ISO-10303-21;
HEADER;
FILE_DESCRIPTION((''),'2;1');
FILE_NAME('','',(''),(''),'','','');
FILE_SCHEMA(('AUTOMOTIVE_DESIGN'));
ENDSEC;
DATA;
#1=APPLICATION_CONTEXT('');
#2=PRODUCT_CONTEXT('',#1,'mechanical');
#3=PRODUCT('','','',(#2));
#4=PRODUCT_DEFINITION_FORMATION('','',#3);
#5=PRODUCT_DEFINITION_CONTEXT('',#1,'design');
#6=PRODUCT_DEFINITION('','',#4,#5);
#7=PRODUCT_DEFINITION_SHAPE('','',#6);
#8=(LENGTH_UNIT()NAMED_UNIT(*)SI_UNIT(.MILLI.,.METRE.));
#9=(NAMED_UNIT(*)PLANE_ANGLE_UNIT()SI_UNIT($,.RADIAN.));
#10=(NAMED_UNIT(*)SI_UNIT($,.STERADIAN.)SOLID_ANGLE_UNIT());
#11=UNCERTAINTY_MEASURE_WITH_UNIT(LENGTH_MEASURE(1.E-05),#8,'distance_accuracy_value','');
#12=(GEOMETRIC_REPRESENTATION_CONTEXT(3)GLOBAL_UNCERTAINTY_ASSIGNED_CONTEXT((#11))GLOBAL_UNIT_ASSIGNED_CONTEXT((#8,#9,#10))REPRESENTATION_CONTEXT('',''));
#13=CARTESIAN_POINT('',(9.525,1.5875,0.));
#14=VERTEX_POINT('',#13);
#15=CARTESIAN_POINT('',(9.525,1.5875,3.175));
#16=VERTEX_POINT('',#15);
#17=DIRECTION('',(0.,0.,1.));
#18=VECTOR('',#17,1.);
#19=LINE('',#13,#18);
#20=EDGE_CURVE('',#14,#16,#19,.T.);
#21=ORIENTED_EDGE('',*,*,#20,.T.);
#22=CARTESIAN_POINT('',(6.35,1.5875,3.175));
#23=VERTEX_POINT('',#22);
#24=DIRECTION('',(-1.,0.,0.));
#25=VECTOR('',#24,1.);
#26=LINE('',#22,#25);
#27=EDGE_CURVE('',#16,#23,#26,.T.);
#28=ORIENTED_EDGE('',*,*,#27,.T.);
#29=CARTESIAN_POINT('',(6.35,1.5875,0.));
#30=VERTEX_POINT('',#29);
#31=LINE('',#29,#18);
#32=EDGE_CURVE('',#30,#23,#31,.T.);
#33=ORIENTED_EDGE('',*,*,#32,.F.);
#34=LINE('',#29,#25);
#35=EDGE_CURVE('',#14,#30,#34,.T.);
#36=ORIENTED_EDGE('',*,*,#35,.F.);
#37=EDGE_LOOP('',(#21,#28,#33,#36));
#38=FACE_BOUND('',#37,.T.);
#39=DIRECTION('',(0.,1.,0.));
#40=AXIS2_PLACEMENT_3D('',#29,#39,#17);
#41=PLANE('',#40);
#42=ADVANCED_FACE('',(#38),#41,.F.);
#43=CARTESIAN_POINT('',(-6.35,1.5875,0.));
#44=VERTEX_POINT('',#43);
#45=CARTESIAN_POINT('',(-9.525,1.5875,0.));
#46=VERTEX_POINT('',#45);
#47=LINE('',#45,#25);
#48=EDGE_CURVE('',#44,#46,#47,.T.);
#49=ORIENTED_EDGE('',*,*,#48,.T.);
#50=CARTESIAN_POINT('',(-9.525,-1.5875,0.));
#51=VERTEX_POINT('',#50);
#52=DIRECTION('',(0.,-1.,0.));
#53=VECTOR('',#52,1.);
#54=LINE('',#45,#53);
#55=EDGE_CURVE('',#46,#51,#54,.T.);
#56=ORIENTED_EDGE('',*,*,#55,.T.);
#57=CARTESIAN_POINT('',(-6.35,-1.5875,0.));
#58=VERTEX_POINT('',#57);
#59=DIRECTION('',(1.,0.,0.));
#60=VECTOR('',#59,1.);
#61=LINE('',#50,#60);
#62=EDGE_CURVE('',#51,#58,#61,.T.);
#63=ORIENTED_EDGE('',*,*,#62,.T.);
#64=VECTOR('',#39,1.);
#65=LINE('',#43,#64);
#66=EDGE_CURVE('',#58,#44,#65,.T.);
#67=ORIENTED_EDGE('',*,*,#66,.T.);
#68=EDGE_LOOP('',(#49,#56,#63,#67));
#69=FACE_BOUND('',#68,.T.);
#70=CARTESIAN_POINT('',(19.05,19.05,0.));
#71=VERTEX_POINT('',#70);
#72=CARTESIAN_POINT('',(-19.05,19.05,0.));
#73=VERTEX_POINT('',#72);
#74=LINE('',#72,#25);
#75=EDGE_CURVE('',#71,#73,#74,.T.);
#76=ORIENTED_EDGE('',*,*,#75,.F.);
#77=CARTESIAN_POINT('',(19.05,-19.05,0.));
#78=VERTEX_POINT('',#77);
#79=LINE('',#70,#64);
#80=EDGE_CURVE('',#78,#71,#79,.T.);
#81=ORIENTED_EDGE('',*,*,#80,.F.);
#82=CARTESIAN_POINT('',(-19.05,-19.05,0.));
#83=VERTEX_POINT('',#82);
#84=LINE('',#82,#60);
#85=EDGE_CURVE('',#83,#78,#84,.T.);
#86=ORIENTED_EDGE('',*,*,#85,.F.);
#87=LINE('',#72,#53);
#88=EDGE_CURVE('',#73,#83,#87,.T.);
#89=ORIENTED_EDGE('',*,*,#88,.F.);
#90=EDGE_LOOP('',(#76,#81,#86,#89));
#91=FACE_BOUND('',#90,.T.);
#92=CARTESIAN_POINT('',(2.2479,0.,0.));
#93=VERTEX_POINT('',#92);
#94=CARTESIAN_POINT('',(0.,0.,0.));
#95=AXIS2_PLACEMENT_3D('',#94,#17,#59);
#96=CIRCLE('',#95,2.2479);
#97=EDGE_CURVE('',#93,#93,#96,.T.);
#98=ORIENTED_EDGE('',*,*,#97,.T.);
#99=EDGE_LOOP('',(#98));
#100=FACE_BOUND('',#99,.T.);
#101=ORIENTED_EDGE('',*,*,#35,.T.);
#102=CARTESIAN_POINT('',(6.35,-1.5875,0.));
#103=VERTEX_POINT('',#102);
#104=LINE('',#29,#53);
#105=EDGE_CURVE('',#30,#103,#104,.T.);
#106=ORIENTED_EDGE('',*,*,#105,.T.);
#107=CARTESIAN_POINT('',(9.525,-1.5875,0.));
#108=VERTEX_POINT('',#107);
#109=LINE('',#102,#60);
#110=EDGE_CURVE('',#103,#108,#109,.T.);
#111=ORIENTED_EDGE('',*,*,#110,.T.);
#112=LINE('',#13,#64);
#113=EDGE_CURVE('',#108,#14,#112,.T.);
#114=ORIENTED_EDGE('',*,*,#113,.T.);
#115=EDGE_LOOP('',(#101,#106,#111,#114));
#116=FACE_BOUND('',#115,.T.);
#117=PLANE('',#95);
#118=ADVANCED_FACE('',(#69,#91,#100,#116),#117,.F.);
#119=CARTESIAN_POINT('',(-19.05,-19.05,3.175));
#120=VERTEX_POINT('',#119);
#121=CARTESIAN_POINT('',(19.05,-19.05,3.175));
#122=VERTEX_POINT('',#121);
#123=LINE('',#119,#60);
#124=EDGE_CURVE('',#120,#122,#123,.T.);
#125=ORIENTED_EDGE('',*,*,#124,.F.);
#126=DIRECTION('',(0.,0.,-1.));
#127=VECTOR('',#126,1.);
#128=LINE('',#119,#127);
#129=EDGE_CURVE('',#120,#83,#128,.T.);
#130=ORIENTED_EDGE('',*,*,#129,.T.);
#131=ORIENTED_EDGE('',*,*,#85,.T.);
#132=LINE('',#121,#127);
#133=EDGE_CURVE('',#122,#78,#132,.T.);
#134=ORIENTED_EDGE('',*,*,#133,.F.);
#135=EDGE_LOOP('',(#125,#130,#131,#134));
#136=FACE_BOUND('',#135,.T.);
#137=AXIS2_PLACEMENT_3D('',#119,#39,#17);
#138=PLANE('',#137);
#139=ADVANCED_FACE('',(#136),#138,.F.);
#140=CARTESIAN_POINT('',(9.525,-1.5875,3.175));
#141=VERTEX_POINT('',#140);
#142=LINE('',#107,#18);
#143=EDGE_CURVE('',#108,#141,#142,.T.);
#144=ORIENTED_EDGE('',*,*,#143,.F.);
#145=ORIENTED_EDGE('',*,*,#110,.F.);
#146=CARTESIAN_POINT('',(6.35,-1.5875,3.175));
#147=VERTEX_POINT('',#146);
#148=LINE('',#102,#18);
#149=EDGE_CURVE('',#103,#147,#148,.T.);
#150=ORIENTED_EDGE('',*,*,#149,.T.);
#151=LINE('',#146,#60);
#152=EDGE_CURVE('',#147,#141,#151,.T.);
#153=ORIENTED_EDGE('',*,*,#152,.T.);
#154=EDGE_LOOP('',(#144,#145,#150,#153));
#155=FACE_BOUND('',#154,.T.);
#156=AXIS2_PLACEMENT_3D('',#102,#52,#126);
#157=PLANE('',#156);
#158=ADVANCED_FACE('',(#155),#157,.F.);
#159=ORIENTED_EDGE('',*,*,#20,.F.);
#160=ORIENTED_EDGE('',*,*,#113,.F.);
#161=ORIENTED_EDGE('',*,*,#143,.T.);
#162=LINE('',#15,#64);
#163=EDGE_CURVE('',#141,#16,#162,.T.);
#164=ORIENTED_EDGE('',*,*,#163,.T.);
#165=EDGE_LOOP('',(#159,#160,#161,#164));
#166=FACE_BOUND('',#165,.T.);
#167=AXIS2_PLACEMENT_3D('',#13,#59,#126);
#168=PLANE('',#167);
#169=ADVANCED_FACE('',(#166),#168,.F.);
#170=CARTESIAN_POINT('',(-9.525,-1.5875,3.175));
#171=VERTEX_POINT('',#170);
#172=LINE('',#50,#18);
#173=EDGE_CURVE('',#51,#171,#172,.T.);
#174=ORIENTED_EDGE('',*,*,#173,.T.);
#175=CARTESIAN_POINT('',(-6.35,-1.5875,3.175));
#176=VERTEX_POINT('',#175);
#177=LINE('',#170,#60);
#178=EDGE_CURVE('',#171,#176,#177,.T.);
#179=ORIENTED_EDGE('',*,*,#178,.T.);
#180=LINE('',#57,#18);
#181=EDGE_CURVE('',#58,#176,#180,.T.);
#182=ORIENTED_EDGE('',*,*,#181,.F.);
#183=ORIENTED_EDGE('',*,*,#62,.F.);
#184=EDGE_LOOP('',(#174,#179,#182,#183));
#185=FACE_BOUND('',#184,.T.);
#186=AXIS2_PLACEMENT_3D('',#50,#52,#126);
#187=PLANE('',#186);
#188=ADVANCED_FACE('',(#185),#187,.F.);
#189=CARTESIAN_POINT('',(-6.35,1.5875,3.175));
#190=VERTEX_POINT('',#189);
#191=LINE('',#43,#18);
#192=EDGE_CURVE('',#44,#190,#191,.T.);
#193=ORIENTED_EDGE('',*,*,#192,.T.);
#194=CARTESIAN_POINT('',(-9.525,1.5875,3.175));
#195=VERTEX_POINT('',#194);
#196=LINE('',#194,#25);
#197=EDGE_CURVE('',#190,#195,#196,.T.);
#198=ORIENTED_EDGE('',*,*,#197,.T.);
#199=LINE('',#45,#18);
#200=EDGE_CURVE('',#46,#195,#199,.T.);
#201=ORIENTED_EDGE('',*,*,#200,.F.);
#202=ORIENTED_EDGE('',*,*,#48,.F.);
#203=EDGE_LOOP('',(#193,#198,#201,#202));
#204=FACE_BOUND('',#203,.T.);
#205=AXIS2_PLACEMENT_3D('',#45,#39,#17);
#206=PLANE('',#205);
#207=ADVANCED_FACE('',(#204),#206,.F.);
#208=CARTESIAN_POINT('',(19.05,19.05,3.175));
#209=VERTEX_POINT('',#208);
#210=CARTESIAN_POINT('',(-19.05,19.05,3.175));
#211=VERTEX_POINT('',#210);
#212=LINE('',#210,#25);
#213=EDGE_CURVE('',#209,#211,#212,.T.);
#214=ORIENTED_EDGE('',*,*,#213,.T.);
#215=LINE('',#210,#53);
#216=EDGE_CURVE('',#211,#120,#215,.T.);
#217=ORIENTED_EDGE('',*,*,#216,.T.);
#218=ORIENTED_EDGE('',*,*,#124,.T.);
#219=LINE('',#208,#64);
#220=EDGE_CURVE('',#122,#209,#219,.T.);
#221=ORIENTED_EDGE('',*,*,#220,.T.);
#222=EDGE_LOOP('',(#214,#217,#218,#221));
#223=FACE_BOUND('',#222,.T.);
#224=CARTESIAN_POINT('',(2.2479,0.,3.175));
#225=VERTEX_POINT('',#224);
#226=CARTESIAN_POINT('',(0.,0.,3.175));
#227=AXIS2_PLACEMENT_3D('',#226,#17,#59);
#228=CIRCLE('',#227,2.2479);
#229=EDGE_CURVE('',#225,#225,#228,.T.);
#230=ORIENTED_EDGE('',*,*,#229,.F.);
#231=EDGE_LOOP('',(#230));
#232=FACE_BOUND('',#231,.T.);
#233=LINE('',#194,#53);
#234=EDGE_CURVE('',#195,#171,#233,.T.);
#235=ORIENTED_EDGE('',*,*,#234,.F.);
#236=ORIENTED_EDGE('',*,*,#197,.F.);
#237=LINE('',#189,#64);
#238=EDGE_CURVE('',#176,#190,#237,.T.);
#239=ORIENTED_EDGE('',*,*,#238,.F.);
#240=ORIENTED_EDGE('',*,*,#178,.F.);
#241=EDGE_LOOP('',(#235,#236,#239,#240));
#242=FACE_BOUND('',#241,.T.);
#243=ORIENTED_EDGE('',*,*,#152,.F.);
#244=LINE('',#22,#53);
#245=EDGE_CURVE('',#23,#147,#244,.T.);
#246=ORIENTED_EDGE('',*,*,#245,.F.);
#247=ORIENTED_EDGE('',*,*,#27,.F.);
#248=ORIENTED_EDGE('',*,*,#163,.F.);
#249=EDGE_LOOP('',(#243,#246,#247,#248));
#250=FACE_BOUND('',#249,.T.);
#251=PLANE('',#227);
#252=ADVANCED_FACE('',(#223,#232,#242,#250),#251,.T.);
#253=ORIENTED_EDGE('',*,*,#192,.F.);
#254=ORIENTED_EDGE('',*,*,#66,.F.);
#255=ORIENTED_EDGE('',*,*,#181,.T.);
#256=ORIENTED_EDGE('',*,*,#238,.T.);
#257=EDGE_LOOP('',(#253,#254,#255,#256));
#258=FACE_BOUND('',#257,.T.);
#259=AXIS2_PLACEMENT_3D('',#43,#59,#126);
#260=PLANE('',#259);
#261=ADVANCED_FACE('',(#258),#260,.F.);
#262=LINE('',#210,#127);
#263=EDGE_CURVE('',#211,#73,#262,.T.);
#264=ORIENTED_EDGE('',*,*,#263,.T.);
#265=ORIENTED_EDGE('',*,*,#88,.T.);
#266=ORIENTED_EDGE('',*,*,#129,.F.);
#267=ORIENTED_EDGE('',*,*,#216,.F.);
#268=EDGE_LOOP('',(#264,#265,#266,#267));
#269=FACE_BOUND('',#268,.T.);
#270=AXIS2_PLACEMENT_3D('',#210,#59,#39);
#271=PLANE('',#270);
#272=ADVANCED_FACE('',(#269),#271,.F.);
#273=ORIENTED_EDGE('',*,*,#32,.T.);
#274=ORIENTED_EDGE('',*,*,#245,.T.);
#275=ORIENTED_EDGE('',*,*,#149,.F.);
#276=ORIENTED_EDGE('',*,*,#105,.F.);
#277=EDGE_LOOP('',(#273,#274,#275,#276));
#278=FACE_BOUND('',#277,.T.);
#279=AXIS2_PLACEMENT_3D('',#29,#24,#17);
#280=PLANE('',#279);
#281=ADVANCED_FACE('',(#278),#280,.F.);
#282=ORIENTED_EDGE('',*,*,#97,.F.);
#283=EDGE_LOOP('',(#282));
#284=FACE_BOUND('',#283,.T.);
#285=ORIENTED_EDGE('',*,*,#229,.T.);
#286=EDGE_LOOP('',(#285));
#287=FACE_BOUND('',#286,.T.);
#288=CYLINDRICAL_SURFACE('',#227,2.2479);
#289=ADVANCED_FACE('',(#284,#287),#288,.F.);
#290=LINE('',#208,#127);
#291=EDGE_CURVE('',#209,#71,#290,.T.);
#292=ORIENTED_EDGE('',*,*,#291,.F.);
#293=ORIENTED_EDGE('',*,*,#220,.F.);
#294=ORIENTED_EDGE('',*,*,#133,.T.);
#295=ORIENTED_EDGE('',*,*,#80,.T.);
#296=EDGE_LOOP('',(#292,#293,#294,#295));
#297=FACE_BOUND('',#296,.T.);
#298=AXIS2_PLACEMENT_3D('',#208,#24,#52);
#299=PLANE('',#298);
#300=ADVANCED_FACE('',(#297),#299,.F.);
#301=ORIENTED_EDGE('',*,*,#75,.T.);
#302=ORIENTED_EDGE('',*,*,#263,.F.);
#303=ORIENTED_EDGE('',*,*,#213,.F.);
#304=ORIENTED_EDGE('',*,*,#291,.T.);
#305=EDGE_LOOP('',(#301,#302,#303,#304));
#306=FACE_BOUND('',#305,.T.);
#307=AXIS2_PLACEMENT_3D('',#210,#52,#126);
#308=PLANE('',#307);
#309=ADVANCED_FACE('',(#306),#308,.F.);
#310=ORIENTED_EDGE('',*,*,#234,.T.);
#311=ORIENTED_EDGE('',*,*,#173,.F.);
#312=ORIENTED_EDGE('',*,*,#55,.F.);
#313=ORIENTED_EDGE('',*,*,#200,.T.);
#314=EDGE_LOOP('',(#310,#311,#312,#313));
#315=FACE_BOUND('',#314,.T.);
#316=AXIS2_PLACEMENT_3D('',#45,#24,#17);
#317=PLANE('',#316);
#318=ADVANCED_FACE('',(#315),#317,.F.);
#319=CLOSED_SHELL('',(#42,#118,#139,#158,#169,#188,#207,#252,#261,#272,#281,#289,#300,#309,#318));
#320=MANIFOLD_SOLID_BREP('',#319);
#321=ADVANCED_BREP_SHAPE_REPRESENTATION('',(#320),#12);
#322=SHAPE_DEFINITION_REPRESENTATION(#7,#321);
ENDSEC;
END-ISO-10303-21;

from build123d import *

# Parameters (mm, degrees)
SKETCH1_W                 = 38.1
SKETCH1_H                 = 38.1
BOSS_EXTRUDE1_DEPTH       = 3.175
F_8_CLEARANCE_HOLE1_D     = 4.4958
F_8_CLEARANCE_HOLE1_DEPTH = 10.16
F_8_CLEARANCE_HOLE1_TIP   = 1.350674586
SKETCH4_W                 = 3.175
SKETCH4_H                 = 3.175
CUT_EXTRUDE1_DEPTH        = 3.175


with BuildPart() as part:
    # Sketch1 → Boss-Extrude1 (new body)
    with BuildSketch(Plane.XY):
        Rectangle(SKETCH1_W, SKETCH1_H)
    extrude(amount=BOSS_EXTRUDE1_DEPTH)

    # #8 Clearance Hole1
    with Locations(Plane.XY.offset(3.175)):
        with Locations((0, 0)):
            Hole(F_8_CLEARANCE_HOLE1_D / 2, depth=F_8_CLEARANCE_HOLE1_DEPTH)
            with Locations((0, 0, -(F_8_CLEARANCE_HOLE1_DEPTH + F_8_CLEARANCE_HOLE1_TIP / 2))):  # 118° drill point
                Cone(0, F_8_CLEARANCE_HOLE1_D / 2, F_8_CLEARANCE_HOLE1_TIP, mode=Mode.SUBTRACT)

    # Sketch4 → Cut-Extrude1 (cut)
    with BuildSketch(Plane.XY.offset(3.175)):
        with Locations((-7.9375, 0)):
            Rectangle(SKETCH4_W, SKETCH4_H)
        with Locations((7.9375, 0)):
            Rectangle(SKETCH4_W, SKETCH4_H)
    extrude(amount=-CUT_EXTRUDE1_DEPTH, mode=Mode.SUBTRACT)


solid = part.part
